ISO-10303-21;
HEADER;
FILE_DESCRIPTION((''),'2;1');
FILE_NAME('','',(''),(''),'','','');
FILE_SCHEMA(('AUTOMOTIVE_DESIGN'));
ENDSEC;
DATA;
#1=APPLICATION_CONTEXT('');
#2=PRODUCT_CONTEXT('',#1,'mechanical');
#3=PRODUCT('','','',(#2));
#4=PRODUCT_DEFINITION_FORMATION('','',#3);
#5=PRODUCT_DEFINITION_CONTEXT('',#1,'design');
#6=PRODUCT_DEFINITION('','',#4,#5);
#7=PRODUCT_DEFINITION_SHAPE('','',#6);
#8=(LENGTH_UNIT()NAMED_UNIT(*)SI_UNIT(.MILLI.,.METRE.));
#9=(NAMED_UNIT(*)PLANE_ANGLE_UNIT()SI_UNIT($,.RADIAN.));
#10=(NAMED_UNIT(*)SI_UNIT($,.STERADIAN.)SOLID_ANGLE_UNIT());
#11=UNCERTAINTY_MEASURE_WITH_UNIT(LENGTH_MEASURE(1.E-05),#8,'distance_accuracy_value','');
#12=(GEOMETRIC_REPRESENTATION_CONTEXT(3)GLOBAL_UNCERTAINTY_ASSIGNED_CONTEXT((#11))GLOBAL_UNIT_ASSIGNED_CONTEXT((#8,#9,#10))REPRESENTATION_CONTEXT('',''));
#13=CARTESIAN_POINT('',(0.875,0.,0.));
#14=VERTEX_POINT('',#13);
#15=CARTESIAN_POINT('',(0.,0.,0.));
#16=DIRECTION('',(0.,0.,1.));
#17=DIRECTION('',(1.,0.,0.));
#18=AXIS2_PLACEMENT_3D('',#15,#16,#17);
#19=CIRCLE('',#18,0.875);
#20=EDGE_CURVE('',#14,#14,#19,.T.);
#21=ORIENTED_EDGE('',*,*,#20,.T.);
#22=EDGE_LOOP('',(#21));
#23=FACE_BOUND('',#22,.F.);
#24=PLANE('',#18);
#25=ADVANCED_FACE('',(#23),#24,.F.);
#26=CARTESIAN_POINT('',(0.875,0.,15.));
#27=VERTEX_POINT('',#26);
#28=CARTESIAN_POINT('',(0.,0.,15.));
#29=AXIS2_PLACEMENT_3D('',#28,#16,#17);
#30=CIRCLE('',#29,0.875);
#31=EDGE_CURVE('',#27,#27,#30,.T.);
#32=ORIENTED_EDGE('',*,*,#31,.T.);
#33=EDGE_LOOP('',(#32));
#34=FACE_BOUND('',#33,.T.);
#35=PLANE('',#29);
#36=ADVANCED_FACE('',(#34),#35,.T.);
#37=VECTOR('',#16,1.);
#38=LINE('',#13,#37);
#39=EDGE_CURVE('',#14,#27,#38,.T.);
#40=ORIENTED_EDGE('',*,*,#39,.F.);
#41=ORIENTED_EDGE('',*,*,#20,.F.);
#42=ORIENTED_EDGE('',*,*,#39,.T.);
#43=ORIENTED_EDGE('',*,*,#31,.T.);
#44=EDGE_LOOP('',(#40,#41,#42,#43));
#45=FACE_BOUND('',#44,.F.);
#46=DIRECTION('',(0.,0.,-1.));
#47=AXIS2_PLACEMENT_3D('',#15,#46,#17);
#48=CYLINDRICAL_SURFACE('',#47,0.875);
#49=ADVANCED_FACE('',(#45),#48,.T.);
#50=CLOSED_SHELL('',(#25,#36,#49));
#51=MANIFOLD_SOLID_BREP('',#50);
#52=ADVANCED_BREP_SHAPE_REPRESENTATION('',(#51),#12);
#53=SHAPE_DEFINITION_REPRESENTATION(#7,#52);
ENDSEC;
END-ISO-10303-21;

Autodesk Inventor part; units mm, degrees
ref_plane "YZ Plane" through (0, 0, 0) normal (1, 0, 0) x (0, 1, 0)
ref_plane "XZ Plane" through (0, 0, 0) normal (0, 1, 0) x (-1, 0, 0)
ref_plane "XY Plane" through (0, 0, 0) normal (0, 0, 1) x (1, 0, 0)
sketch "Sketch1" plane through (0, 0, 0) normal (0, 0, 1) x (1, 0, 0)
  circle A0 centre (0, 0) radius 0.875
  dimension "d0" = 1.75
extrude "Extrusion1" add sketch "Sketch1" along normal blind 15
sketch "Sketch4" plane through (0, 0, 15) normal (0, 0, 1) x (1, 0, 0)
  circle A0 centre (0, 0) radius 0.875 projected
sketch "Sketch5" plane through (0, 0, 0) normal (0, 0, -1) x (-1, 0, 0)
  circle A0 centre (0, 0) radius 0.875 projected
properties part number "blacklead"
